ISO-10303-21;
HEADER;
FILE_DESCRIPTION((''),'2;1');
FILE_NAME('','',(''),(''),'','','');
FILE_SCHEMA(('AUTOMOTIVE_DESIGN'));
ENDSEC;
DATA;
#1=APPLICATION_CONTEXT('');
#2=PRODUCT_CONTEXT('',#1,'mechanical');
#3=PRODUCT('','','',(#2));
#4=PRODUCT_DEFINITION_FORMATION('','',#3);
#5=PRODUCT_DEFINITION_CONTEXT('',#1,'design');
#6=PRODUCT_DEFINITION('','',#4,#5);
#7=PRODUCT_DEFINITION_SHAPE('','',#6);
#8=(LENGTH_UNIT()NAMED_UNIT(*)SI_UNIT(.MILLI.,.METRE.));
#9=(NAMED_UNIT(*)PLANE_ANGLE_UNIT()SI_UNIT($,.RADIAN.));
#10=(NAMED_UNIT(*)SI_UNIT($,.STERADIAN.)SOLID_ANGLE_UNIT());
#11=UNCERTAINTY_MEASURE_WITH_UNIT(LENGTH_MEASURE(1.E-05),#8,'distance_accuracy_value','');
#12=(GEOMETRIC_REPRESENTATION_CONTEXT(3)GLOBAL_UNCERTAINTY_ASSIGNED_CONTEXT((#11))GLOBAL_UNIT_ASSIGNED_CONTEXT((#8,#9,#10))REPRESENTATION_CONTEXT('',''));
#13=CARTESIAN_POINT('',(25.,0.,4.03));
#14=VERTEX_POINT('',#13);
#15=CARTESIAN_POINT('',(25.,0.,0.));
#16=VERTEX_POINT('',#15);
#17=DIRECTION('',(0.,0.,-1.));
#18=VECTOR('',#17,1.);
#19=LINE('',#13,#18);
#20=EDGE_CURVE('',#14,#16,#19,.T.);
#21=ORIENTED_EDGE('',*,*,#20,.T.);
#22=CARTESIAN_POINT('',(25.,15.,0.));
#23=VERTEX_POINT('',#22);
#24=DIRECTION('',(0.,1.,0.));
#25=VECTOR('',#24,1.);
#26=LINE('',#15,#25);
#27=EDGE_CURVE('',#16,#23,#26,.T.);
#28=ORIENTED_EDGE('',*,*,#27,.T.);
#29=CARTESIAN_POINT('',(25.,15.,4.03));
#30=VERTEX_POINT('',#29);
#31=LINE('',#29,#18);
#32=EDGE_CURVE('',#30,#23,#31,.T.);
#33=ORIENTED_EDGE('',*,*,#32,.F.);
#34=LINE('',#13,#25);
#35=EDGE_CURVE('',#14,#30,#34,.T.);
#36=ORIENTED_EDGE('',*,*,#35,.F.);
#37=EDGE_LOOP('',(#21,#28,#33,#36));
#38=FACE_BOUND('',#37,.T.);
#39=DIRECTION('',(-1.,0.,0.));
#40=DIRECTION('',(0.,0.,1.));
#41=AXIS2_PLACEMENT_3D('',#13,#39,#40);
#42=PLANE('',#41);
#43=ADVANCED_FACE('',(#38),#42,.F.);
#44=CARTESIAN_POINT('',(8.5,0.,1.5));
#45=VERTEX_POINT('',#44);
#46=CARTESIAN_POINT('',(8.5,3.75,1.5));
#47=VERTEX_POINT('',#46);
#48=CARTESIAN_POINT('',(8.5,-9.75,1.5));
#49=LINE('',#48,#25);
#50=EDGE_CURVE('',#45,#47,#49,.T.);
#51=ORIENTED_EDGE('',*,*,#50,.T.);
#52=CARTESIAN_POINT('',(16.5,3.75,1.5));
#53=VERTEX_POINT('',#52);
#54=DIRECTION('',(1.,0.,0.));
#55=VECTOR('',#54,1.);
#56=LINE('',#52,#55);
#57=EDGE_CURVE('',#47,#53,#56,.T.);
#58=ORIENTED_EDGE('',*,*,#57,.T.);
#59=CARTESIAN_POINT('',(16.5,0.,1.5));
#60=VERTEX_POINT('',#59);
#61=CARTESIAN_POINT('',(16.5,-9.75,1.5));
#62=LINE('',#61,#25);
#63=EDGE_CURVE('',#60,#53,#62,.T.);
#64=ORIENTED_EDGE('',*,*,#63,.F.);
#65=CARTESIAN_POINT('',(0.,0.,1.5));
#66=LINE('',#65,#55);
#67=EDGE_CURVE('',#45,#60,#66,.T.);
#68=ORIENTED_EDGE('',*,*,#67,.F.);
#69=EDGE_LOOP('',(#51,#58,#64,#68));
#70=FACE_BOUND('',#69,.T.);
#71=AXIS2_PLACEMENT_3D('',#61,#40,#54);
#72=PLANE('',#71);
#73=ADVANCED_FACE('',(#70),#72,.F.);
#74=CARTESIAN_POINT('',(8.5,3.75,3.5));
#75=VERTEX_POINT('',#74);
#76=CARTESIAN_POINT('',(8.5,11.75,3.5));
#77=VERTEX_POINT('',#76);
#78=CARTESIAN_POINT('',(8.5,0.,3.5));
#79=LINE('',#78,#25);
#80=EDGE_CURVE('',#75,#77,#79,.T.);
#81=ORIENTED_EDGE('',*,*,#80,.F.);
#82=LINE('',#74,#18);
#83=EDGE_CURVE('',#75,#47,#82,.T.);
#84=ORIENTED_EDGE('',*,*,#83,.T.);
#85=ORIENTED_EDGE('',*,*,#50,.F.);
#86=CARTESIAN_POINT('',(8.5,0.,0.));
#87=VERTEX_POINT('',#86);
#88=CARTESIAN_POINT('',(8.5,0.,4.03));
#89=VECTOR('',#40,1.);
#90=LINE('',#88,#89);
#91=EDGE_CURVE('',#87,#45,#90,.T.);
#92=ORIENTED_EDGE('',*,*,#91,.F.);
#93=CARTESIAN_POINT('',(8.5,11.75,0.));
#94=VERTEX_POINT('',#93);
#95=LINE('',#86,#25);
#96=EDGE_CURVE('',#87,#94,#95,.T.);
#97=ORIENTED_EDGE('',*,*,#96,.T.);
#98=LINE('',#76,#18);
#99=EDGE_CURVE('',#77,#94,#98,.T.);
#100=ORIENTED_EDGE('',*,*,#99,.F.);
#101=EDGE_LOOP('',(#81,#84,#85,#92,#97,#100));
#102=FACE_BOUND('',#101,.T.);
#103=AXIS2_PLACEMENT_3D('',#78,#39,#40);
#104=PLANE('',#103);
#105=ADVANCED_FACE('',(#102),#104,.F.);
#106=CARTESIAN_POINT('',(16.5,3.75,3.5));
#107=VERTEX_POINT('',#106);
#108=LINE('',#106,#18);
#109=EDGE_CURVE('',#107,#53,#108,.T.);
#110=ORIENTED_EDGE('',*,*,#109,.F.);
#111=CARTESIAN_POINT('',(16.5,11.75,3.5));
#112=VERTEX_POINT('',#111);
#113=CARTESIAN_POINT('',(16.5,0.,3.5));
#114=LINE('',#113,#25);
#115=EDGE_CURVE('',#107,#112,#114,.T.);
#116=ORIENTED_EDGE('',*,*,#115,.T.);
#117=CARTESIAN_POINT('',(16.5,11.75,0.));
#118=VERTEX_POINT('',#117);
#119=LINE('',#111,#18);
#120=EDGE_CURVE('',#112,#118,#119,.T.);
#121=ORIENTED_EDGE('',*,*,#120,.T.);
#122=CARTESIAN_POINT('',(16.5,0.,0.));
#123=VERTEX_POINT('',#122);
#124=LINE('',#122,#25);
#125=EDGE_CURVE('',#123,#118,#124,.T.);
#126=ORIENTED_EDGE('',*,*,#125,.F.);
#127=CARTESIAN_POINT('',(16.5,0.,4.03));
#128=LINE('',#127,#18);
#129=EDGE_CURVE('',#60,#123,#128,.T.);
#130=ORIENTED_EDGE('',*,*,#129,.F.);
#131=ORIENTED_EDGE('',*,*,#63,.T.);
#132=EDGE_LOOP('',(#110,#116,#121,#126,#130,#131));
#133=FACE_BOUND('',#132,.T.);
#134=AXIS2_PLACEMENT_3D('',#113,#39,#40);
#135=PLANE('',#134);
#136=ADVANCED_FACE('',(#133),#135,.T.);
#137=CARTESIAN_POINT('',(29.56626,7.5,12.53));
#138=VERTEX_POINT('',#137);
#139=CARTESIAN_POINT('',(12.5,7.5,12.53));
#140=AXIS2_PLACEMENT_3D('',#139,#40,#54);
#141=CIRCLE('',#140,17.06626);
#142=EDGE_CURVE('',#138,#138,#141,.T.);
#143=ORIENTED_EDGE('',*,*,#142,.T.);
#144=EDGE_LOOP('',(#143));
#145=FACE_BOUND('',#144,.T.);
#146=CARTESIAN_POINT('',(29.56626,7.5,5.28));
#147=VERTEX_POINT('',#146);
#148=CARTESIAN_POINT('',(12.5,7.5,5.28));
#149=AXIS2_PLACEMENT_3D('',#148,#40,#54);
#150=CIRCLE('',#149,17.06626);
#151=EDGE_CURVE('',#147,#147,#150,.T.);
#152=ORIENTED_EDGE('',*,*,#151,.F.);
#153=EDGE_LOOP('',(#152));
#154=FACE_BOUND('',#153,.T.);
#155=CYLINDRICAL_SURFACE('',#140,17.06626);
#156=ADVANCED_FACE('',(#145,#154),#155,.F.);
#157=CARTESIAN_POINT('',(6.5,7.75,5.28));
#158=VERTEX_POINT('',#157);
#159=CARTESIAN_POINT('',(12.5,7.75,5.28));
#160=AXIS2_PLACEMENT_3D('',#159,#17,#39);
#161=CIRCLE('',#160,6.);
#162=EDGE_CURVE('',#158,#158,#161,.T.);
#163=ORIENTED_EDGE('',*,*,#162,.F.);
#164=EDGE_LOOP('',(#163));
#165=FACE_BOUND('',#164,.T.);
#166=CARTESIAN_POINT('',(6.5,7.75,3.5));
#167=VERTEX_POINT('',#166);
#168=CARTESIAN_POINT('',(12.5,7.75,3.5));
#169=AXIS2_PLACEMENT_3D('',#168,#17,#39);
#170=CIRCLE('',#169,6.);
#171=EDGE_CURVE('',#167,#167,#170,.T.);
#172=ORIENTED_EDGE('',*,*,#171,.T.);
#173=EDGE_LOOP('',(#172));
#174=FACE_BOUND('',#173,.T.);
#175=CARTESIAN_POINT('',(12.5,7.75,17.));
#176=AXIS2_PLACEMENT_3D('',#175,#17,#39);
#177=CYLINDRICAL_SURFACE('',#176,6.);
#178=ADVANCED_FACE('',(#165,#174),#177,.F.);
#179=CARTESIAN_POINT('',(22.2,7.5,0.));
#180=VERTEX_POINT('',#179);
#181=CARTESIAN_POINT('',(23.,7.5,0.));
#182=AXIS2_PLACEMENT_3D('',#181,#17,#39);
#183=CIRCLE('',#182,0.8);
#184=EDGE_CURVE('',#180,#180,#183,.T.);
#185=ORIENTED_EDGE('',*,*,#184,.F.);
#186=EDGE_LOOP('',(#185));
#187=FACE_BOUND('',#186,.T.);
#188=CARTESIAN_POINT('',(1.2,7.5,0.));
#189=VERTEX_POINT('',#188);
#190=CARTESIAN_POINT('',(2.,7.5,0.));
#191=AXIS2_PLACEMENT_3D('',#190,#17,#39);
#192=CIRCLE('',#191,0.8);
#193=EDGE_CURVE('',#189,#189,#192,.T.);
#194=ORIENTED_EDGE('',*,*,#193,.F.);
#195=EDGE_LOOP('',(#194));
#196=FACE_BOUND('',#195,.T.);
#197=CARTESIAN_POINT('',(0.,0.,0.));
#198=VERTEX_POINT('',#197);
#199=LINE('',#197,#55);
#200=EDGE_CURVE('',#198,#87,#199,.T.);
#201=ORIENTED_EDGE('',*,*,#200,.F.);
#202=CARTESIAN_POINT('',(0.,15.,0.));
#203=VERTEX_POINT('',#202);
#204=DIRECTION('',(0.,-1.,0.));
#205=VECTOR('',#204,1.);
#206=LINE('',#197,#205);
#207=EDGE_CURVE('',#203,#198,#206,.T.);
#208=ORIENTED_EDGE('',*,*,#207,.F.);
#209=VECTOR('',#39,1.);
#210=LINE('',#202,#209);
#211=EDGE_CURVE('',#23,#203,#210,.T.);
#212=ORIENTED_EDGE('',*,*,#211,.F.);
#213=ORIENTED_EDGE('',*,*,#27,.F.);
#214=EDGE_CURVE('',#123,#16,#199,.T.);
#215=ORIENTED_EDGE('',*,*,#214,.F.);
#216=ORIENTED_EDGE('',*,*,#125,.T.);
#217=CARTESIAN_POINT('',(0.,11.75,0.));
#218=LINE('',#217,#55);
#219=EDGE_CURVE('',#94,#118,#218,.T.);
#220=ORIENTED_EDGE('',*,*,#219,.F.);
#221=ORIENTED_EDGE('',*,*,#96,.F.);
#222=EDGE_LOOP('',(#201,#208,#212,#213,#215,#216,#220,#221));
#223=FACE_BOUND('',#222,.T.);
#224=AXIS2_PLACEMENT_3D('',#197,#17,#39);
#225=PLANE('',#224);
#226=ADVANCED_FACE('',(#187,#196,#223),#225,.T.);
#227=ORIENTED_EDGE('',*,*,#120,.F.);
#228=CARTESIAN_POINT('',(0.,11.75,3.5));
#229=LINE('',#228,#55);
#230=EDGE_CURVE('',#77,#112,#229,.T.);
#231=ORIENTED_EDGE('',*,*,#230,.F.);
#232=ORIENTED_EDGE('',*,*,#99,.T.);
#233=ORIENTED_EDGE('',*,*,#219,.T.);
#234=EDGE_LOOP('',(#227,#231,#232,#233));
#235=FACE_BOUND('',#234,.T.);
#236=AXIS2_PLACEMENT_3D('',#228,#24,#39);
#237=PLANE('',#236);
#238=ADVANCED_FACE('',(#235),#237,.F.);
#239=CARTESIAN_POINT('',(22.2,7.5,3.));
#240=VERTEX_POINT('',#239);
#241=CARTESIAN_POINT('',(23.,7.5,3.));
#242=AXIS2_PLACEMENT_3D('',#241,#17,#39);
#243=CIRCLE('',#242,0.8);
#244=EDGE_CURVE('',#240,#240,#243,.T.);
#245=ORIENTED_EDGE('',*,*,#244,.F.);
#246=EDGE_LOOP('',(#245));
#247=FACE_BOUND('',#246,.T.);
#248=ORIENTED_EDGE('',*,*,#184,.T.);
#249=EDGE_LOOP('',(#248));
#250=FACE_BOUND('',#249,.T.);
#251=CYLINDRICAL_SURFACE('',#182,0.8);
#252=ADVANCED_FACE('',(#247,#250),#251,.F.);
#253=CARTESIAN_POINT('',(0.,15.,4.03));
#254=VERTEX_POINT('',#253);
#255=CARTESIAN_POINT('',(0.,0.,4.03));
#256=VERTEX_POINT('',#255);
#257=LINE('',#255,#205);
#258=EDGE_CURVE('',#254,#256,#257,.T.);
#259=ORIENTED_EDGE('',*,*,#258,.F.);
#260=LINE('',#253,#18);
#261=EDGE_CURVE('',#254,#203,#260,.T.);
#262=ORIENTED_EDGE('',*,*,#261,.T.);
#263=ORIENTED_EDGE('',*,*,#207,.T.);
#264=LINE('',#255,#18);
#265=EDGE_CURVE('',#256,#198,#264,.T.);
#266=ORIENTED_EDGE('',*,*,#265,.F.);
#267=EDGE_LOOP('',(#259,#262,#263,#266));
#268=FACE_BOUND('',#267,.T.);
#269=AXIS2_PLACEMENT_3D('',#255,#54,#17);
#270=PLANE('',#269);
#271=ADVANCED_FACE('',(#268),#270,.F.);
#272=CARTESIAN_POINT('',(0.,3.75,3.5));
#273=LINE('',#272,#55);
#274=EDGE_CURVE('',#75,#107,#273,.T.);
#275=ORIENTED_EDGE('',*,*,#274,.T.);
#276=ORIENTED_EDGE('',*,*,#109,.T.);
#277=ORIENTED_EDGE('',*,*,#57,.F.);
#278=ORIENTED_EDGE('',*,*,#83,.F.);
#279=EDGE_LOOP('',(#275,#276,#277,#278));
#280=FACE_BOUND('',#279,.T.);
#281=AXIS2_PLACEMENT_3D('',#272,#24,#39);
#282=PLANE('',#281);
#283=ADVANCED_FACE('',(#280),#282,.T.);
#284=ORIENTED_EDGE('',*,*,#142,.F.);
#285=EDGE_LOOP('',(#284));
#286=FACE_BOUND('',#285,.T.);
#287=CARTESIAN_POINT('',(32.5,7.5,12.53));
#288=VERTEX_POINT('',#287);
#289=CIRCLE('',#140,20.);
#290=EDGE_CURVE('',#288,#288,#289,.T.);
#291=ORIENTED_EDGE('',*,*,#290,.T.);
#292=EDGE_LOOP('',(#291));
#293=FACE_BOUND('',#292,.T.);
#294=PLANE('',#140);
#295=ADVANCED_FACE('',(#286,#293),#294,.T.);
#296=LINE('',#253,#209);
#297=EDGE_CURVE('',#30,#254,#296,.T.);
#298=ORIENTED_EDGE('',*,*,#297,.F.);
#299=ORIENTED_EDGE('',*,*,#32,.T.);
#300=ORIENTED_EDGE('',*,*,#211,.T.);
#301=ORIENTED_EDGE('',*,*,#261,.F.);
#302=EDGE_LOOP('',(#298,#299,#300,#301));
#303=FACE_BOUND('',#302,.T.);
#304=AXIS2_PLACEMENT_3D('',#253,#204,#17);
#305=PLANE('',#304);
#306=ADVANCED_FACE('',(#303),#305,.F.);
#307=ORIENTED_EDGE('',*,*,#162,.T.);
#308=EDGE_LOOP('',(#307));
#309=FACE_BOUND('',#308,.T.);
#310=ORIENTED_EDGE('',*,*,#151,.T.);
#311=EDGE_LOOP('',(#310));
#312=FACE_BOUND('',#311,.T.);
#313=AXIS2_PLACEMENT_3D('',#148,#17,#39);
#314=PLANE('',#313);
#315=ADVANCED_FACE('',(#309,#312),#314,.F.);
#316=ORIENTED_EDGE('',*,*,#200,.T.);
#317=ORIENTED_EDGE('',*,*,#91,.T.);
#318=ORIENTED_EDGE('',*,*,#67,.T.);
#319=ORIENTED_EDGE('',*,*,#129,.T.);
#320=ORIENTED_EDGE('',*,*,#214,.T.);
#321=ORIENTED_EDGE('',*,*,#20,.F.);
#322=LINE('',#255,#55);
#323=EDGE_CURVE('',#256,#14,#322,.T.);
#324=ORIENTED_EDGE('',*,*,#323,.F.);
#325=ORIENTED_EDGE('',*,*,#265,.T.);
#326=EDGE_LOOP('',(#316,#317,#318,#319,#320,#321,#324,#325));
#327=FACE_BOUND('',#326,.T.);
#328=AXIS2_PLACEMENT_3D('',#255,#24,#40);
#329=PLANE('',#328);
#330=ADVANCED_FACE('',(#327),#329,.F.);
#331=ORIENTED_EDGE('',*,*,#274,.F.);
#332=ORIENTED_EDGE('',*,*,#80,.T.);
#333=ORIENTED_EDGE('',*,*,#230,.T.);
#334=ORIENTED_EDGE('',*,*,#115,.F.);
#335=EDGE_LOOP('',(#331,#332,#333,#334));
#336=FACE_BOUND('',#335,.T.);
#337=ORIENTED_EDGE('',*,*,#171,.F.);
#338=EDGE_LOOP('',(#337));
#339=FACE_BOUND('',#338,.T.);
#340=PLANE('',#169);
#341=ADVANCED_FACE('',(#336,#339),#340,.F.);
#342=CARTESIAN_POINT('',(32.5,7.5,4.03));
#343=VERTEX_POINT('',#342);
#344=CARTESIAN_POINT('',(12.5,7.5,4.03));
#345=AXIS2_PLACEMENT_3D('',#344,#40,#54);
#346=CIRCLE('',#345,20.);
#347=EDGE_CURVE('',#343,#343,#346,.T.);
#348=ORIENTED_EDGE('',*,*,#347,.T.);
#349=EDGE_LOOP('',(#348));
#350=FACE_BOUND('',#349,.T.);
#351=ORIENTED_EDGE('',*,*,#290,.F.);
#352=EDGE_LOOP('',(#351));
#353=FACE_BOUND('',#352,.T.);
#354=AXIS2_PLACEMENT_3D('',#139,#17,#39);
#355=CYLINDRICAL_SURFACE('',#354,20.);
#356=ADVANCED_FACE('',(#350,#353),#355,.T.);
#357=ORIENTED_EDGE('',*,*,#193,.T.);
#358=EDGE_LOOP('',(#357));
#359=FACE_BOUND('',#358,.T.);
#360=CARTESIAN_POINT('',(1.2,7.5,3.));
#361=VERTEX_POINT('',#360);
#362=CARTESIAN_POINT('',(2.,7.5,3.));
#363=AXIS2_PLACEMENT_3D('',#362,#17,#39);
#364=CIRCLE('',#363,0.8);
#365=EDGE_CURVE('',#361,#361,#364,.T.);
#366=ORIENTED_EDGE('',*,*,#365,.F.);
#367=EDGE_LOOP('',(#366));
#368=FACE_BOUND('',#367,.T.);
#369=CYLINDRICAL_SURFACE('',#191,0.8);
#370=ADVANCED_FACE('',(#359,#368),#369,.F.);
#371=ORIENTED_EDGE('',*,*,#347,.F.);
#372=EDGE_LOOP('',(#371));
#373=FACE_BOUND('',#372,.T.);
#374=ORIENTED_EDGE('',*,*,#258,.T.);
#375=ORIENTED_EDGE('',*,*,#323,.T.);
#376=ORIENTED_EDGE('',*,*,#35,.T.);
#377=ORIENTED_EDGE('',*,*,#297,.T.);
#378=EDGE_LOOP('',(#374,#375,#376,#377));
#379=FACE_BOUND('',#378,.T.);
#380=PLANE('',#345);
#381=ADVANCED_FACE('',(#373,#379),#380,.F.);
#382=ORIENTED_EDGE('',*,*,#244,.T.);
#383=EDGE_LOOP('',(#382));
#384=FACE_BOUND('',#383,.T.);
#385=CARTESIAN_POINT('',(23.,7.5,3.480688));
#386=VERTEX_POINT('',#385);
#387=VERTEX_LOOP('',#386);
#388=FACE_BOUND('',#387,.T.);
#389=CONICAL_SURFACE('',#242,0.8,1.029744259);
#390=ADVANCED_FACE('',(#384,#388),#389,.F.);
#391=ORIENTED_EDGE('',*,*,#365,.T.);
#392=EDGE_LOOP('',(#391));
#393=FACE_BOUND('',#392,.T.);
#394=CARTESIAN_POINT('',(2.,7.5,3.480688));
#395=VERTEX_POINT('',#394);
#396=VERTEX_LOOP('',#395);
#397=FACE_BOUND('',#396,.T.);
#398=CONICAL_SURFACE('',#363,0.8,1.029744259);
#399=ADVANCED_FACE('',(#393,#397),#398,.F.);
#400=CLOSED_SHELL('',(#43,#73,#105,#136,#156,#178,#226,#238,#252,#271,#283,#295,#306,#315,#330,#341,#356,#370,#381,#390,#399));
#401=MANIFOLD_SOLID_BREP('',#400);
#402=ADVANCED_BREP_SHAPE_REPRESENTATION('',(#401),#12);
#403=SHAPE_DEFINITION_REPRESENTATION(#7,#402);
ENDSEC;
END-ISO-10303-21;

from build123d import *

# Parameters (mm, degrees)
SKETCH1_W                    = 25
SKETCH1_H                    = 15
BOSS_EXTRUDE1_DEPTH          = 4.03
M2_TAPPED_HOLE1_D            = 1.6
M2_TAPPED_HOLE1_DEPTH        = 3
M2_TAPPED_HOLE1_TIP          = 0.480688495
SKETCH5_R                    = 20
BOSS_EXTRUDE2_DEPTH          = 8.5
SKETCH6_R                    = 12.25
CUT_EXTRUDE1_DEPTH           = 5.25
F_1_1_2_6_TAPPED_HOLE1_D     = 34.13252
F_1_1_2_6_TAPPED_HOLE1_DEPTH = 7.25
CUT_EXTRUDE2_DEPTH           = 3.5
SKETCH14_W                   = 8
SKETCH14_H                   = 1.5
CUT_EXTRUDE3_DEPTH           = 13.5
SKETCH15_R                   = 6
CUT_EXTRUDE4_DEPTH           = 13.5


with BuildPart() as part:
    # Sketch1 → Boss-Extrude1 (new body)
    with BuildSketch(Plane.XY):
        with Locations((12.5, 7.5)):
            Rectangle(SKETCH1_W, SKETCH1_H)
    extrude(amount=BOSS_EXTRUDE1_DEPTH)

    # M2 Tapped Hole1
    with Locations(Plane(origin=(0, 0, 0), x_dir=(-1, 0, 0), z_dir=(0, 0, -1))):
        with Locations((-23, 7.5), (-2, 7.5)):
            Hole(M2_TAPPED_HOLE1_D / 2, depth=M2_TAPPED_HOLE1_DEPTH)
            with Locations((0, 0, -(M2_TAPPED_HOLE1_DEPTH + M2_TAPPED_HOLE1_TIP / 2))):  # 118° drill point
                Cone(0, M2_TAPPED_HOLE1_D / 2, M2_TAPPED_HOLE1_TIP, mode=Mode.SUBTRACT)

    # Sketch5 → Boss-Extrude2 (add)
    with BuildSketch(Plane.XY.offset(4.03)):
        with Locations((12.5, 7.5)):
            Circle(SKETCH5_R)
    extrude(amount=BOSS_EXTRUDE2_DEPTH)

    # Sketch6 → Cut-Extrude1 (cut)
    with BuildSketch(Plane.XY.offset(12.53)):
        with Locations((12.5, 7.5)):
            Circle(SKETCH6_R)
    extrude(amount=-CUT_EXTRUDE1_DEPTH, mode=Mode.SUBTRACT)

    # 1-1/2-6 Tapped Hole1
    with Locations(Plane.XY.offset(12.53)):
        with Locations((12.5, 7.5)):
            Hole(F_1_1_2_6_TAPPED_HOLE1_D / 2, depth=F_1_1_2_6_TAPPED_HOLE1_DEPTH)

    # Sketch13 → Cut-Extrude2 (cut)
    with BuildSketch(Plane(origin=(0, 0, 0), x_dir=(-1, 0, 0), z_dir=(0, 0, -1))):
        Polygon((-12.5, 3.75), (-12.5, 7.5), (-12.5, 7.75), (-12.5, 11.75), (-16.5, 11.75), (-16.5, 3.75), align=None)
        Polygon((-12.5, 7.75), (-12.5, 7.5), (-12.5, 3.75), (-8.5, 3.75), (-8.5, 11.75), (-12.5, 11.75), align=None)
    extrude(amount=-CUT_EXTRUDE2_DEPTH, mode=Mode.SUBTRACT)

    # Sketch14 → Cut-Extrude3 (cut)
    with BuildSketch(Plane(origin=(0, 3.75, 0), x_dir=(1, 0, 0), z_dir=(0, 1, 0))):
        with Locations((12.5, -0.75)):
            Rectangle(SKETCH14_W, SKETCH14_H)
    extrude(amount=-CUT_EXTRUDE3_DEPTH, mode=Mode.SUBTRACT)

    # Sketch15 → Cut-Extrude4 (cut)
    with BuildSketch(Plane(origin=(0, 0, 3.5), x_dir=(-1, 0, 0), z_dir=(0, 0, -1))):
        with Locations((-12.5, 7.75)):
            Circle(SKETCH15_R)
    extrude(amount=-CUT_EXTRUDE4_DEPTH, mode=Mode.SUBTRACT)


solid = part.part
